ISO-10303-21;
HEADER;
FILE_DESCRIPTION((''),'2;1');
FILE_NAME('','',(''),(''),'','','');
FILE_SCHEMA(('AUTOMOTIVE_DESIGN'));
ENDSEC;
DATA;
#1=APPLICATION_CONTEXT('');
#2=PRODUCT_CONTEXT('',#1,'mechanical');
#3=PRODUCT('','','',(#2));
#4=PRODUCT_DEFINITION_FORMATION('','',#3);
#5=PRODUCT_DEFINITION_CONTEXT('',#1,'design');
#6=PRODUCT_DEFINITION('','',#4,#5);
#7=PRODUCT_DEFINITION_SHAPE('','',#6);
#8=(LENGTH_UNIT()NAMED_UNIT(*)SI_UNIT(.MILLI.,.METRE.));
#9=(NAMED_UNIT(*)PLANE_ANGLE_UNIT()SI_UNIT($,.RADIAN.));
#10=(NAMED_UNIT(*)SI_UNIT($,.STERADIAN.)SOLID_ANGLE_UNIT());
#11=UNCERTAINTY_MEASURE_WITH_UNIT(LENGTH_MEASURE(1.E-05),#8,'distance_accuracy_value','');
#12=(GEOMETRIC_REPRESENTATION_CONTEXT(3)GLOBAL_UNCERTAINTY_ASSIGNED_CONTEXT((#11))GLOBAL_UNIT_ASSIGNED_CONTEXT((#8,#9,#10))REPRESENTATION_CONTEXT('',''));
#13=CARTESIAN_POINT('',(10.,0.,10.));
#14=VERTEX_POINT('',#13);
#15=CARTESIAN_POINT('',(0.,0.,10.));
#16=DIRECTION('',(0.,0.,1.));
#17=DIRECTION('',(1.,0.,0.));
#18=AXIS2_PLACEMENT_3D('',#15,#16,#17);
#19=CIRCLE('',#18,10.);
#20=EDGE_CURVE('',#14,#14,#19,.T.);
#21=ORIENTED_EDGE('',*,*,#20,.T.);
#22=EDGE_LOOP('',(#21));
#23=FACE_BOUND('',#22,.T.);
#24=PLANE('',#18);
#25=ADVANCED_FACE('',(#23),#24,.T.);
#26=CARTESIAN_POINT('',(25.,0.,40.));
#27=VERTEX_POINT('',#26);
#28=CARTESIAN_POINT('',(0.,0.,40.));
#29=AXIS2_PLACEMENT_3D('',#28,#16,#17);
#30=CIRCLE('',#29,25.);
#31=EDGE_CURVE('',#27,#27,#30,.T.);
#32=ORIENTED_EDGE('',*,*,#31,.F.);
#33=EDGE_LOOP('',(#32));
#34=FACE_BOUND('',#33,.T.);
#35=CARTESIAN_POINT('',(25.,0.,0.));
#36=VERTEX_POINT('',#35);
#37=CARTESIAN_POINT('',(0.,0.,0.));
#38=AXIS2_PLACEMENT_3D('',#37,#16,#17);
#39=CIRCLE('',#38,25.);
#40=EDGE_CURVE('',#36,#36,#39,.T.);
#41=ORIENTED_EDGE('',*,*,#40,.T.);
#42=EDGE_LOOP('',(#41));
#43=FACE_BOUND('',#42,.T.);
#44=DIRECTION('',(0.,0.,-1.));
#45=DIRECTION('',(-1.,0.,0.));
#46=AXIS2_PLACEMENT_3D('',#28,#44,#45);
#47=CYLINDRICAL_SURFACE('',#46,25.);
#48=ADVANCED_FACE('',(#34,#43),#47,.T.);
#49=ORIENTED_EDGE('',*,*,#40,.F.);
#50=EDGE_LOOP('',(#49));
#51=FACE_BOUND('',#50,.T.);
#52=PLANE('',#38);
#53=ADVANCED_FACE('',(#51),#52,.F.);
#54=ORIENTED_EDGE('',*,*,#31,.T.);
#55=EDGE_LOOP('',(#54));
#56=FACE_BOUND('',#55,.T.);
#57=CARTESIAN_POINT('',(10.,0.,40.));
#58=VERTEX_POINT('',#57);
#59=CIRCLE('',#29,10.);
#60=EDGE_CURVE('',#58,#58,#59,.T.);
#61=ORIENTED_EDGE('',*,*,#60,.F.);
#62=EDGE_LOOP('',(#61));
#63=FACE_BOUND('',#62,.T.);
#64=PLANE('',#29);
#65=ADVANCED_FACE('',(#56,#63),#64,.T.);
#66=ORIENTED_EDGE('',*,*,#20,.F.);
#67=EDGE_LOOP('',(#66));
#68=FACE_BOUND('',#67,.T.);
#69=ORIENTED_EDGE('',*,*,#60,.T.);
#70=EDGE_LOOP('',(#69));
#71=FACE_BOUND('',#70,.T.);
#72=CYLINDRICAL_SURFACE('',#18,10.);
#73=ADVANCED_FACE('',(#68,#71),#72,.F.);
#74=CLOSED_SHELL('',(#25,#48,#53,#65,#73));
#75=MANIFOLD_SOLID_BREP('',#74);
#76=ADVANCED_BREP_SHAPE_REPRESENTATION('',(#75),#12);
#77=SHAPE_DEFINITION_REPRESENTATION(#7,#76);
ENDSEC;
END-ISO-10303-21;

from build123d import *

# Parameters (mm, degrees)
SKETCH1_R           = 25
BOSS_EXTRUDE1_DEPTH = 40
SKETCH2_R           = 10
CUT_EXTRUDE1_DEPTH  = 30


with BuildPart() as part:
    # Sketch1 → Boss-Extrude1 (new body)
    with BuildSketch(Plane.XY):
        Circle(SKETCH1_R)
    extrude(amount=BOSS_EXTRUDE1_DEPTH)

    # Sketch2 → Cut-Extrude1 (cut)
    with BuildSketch(Plane.XY.offset(40)):
        Circle(SKETCH2_R)
    extrude(amount=-CUT_EXTRUDE1_DEPTH, mode=Mode.SUBTRACT)


solid = part.part
